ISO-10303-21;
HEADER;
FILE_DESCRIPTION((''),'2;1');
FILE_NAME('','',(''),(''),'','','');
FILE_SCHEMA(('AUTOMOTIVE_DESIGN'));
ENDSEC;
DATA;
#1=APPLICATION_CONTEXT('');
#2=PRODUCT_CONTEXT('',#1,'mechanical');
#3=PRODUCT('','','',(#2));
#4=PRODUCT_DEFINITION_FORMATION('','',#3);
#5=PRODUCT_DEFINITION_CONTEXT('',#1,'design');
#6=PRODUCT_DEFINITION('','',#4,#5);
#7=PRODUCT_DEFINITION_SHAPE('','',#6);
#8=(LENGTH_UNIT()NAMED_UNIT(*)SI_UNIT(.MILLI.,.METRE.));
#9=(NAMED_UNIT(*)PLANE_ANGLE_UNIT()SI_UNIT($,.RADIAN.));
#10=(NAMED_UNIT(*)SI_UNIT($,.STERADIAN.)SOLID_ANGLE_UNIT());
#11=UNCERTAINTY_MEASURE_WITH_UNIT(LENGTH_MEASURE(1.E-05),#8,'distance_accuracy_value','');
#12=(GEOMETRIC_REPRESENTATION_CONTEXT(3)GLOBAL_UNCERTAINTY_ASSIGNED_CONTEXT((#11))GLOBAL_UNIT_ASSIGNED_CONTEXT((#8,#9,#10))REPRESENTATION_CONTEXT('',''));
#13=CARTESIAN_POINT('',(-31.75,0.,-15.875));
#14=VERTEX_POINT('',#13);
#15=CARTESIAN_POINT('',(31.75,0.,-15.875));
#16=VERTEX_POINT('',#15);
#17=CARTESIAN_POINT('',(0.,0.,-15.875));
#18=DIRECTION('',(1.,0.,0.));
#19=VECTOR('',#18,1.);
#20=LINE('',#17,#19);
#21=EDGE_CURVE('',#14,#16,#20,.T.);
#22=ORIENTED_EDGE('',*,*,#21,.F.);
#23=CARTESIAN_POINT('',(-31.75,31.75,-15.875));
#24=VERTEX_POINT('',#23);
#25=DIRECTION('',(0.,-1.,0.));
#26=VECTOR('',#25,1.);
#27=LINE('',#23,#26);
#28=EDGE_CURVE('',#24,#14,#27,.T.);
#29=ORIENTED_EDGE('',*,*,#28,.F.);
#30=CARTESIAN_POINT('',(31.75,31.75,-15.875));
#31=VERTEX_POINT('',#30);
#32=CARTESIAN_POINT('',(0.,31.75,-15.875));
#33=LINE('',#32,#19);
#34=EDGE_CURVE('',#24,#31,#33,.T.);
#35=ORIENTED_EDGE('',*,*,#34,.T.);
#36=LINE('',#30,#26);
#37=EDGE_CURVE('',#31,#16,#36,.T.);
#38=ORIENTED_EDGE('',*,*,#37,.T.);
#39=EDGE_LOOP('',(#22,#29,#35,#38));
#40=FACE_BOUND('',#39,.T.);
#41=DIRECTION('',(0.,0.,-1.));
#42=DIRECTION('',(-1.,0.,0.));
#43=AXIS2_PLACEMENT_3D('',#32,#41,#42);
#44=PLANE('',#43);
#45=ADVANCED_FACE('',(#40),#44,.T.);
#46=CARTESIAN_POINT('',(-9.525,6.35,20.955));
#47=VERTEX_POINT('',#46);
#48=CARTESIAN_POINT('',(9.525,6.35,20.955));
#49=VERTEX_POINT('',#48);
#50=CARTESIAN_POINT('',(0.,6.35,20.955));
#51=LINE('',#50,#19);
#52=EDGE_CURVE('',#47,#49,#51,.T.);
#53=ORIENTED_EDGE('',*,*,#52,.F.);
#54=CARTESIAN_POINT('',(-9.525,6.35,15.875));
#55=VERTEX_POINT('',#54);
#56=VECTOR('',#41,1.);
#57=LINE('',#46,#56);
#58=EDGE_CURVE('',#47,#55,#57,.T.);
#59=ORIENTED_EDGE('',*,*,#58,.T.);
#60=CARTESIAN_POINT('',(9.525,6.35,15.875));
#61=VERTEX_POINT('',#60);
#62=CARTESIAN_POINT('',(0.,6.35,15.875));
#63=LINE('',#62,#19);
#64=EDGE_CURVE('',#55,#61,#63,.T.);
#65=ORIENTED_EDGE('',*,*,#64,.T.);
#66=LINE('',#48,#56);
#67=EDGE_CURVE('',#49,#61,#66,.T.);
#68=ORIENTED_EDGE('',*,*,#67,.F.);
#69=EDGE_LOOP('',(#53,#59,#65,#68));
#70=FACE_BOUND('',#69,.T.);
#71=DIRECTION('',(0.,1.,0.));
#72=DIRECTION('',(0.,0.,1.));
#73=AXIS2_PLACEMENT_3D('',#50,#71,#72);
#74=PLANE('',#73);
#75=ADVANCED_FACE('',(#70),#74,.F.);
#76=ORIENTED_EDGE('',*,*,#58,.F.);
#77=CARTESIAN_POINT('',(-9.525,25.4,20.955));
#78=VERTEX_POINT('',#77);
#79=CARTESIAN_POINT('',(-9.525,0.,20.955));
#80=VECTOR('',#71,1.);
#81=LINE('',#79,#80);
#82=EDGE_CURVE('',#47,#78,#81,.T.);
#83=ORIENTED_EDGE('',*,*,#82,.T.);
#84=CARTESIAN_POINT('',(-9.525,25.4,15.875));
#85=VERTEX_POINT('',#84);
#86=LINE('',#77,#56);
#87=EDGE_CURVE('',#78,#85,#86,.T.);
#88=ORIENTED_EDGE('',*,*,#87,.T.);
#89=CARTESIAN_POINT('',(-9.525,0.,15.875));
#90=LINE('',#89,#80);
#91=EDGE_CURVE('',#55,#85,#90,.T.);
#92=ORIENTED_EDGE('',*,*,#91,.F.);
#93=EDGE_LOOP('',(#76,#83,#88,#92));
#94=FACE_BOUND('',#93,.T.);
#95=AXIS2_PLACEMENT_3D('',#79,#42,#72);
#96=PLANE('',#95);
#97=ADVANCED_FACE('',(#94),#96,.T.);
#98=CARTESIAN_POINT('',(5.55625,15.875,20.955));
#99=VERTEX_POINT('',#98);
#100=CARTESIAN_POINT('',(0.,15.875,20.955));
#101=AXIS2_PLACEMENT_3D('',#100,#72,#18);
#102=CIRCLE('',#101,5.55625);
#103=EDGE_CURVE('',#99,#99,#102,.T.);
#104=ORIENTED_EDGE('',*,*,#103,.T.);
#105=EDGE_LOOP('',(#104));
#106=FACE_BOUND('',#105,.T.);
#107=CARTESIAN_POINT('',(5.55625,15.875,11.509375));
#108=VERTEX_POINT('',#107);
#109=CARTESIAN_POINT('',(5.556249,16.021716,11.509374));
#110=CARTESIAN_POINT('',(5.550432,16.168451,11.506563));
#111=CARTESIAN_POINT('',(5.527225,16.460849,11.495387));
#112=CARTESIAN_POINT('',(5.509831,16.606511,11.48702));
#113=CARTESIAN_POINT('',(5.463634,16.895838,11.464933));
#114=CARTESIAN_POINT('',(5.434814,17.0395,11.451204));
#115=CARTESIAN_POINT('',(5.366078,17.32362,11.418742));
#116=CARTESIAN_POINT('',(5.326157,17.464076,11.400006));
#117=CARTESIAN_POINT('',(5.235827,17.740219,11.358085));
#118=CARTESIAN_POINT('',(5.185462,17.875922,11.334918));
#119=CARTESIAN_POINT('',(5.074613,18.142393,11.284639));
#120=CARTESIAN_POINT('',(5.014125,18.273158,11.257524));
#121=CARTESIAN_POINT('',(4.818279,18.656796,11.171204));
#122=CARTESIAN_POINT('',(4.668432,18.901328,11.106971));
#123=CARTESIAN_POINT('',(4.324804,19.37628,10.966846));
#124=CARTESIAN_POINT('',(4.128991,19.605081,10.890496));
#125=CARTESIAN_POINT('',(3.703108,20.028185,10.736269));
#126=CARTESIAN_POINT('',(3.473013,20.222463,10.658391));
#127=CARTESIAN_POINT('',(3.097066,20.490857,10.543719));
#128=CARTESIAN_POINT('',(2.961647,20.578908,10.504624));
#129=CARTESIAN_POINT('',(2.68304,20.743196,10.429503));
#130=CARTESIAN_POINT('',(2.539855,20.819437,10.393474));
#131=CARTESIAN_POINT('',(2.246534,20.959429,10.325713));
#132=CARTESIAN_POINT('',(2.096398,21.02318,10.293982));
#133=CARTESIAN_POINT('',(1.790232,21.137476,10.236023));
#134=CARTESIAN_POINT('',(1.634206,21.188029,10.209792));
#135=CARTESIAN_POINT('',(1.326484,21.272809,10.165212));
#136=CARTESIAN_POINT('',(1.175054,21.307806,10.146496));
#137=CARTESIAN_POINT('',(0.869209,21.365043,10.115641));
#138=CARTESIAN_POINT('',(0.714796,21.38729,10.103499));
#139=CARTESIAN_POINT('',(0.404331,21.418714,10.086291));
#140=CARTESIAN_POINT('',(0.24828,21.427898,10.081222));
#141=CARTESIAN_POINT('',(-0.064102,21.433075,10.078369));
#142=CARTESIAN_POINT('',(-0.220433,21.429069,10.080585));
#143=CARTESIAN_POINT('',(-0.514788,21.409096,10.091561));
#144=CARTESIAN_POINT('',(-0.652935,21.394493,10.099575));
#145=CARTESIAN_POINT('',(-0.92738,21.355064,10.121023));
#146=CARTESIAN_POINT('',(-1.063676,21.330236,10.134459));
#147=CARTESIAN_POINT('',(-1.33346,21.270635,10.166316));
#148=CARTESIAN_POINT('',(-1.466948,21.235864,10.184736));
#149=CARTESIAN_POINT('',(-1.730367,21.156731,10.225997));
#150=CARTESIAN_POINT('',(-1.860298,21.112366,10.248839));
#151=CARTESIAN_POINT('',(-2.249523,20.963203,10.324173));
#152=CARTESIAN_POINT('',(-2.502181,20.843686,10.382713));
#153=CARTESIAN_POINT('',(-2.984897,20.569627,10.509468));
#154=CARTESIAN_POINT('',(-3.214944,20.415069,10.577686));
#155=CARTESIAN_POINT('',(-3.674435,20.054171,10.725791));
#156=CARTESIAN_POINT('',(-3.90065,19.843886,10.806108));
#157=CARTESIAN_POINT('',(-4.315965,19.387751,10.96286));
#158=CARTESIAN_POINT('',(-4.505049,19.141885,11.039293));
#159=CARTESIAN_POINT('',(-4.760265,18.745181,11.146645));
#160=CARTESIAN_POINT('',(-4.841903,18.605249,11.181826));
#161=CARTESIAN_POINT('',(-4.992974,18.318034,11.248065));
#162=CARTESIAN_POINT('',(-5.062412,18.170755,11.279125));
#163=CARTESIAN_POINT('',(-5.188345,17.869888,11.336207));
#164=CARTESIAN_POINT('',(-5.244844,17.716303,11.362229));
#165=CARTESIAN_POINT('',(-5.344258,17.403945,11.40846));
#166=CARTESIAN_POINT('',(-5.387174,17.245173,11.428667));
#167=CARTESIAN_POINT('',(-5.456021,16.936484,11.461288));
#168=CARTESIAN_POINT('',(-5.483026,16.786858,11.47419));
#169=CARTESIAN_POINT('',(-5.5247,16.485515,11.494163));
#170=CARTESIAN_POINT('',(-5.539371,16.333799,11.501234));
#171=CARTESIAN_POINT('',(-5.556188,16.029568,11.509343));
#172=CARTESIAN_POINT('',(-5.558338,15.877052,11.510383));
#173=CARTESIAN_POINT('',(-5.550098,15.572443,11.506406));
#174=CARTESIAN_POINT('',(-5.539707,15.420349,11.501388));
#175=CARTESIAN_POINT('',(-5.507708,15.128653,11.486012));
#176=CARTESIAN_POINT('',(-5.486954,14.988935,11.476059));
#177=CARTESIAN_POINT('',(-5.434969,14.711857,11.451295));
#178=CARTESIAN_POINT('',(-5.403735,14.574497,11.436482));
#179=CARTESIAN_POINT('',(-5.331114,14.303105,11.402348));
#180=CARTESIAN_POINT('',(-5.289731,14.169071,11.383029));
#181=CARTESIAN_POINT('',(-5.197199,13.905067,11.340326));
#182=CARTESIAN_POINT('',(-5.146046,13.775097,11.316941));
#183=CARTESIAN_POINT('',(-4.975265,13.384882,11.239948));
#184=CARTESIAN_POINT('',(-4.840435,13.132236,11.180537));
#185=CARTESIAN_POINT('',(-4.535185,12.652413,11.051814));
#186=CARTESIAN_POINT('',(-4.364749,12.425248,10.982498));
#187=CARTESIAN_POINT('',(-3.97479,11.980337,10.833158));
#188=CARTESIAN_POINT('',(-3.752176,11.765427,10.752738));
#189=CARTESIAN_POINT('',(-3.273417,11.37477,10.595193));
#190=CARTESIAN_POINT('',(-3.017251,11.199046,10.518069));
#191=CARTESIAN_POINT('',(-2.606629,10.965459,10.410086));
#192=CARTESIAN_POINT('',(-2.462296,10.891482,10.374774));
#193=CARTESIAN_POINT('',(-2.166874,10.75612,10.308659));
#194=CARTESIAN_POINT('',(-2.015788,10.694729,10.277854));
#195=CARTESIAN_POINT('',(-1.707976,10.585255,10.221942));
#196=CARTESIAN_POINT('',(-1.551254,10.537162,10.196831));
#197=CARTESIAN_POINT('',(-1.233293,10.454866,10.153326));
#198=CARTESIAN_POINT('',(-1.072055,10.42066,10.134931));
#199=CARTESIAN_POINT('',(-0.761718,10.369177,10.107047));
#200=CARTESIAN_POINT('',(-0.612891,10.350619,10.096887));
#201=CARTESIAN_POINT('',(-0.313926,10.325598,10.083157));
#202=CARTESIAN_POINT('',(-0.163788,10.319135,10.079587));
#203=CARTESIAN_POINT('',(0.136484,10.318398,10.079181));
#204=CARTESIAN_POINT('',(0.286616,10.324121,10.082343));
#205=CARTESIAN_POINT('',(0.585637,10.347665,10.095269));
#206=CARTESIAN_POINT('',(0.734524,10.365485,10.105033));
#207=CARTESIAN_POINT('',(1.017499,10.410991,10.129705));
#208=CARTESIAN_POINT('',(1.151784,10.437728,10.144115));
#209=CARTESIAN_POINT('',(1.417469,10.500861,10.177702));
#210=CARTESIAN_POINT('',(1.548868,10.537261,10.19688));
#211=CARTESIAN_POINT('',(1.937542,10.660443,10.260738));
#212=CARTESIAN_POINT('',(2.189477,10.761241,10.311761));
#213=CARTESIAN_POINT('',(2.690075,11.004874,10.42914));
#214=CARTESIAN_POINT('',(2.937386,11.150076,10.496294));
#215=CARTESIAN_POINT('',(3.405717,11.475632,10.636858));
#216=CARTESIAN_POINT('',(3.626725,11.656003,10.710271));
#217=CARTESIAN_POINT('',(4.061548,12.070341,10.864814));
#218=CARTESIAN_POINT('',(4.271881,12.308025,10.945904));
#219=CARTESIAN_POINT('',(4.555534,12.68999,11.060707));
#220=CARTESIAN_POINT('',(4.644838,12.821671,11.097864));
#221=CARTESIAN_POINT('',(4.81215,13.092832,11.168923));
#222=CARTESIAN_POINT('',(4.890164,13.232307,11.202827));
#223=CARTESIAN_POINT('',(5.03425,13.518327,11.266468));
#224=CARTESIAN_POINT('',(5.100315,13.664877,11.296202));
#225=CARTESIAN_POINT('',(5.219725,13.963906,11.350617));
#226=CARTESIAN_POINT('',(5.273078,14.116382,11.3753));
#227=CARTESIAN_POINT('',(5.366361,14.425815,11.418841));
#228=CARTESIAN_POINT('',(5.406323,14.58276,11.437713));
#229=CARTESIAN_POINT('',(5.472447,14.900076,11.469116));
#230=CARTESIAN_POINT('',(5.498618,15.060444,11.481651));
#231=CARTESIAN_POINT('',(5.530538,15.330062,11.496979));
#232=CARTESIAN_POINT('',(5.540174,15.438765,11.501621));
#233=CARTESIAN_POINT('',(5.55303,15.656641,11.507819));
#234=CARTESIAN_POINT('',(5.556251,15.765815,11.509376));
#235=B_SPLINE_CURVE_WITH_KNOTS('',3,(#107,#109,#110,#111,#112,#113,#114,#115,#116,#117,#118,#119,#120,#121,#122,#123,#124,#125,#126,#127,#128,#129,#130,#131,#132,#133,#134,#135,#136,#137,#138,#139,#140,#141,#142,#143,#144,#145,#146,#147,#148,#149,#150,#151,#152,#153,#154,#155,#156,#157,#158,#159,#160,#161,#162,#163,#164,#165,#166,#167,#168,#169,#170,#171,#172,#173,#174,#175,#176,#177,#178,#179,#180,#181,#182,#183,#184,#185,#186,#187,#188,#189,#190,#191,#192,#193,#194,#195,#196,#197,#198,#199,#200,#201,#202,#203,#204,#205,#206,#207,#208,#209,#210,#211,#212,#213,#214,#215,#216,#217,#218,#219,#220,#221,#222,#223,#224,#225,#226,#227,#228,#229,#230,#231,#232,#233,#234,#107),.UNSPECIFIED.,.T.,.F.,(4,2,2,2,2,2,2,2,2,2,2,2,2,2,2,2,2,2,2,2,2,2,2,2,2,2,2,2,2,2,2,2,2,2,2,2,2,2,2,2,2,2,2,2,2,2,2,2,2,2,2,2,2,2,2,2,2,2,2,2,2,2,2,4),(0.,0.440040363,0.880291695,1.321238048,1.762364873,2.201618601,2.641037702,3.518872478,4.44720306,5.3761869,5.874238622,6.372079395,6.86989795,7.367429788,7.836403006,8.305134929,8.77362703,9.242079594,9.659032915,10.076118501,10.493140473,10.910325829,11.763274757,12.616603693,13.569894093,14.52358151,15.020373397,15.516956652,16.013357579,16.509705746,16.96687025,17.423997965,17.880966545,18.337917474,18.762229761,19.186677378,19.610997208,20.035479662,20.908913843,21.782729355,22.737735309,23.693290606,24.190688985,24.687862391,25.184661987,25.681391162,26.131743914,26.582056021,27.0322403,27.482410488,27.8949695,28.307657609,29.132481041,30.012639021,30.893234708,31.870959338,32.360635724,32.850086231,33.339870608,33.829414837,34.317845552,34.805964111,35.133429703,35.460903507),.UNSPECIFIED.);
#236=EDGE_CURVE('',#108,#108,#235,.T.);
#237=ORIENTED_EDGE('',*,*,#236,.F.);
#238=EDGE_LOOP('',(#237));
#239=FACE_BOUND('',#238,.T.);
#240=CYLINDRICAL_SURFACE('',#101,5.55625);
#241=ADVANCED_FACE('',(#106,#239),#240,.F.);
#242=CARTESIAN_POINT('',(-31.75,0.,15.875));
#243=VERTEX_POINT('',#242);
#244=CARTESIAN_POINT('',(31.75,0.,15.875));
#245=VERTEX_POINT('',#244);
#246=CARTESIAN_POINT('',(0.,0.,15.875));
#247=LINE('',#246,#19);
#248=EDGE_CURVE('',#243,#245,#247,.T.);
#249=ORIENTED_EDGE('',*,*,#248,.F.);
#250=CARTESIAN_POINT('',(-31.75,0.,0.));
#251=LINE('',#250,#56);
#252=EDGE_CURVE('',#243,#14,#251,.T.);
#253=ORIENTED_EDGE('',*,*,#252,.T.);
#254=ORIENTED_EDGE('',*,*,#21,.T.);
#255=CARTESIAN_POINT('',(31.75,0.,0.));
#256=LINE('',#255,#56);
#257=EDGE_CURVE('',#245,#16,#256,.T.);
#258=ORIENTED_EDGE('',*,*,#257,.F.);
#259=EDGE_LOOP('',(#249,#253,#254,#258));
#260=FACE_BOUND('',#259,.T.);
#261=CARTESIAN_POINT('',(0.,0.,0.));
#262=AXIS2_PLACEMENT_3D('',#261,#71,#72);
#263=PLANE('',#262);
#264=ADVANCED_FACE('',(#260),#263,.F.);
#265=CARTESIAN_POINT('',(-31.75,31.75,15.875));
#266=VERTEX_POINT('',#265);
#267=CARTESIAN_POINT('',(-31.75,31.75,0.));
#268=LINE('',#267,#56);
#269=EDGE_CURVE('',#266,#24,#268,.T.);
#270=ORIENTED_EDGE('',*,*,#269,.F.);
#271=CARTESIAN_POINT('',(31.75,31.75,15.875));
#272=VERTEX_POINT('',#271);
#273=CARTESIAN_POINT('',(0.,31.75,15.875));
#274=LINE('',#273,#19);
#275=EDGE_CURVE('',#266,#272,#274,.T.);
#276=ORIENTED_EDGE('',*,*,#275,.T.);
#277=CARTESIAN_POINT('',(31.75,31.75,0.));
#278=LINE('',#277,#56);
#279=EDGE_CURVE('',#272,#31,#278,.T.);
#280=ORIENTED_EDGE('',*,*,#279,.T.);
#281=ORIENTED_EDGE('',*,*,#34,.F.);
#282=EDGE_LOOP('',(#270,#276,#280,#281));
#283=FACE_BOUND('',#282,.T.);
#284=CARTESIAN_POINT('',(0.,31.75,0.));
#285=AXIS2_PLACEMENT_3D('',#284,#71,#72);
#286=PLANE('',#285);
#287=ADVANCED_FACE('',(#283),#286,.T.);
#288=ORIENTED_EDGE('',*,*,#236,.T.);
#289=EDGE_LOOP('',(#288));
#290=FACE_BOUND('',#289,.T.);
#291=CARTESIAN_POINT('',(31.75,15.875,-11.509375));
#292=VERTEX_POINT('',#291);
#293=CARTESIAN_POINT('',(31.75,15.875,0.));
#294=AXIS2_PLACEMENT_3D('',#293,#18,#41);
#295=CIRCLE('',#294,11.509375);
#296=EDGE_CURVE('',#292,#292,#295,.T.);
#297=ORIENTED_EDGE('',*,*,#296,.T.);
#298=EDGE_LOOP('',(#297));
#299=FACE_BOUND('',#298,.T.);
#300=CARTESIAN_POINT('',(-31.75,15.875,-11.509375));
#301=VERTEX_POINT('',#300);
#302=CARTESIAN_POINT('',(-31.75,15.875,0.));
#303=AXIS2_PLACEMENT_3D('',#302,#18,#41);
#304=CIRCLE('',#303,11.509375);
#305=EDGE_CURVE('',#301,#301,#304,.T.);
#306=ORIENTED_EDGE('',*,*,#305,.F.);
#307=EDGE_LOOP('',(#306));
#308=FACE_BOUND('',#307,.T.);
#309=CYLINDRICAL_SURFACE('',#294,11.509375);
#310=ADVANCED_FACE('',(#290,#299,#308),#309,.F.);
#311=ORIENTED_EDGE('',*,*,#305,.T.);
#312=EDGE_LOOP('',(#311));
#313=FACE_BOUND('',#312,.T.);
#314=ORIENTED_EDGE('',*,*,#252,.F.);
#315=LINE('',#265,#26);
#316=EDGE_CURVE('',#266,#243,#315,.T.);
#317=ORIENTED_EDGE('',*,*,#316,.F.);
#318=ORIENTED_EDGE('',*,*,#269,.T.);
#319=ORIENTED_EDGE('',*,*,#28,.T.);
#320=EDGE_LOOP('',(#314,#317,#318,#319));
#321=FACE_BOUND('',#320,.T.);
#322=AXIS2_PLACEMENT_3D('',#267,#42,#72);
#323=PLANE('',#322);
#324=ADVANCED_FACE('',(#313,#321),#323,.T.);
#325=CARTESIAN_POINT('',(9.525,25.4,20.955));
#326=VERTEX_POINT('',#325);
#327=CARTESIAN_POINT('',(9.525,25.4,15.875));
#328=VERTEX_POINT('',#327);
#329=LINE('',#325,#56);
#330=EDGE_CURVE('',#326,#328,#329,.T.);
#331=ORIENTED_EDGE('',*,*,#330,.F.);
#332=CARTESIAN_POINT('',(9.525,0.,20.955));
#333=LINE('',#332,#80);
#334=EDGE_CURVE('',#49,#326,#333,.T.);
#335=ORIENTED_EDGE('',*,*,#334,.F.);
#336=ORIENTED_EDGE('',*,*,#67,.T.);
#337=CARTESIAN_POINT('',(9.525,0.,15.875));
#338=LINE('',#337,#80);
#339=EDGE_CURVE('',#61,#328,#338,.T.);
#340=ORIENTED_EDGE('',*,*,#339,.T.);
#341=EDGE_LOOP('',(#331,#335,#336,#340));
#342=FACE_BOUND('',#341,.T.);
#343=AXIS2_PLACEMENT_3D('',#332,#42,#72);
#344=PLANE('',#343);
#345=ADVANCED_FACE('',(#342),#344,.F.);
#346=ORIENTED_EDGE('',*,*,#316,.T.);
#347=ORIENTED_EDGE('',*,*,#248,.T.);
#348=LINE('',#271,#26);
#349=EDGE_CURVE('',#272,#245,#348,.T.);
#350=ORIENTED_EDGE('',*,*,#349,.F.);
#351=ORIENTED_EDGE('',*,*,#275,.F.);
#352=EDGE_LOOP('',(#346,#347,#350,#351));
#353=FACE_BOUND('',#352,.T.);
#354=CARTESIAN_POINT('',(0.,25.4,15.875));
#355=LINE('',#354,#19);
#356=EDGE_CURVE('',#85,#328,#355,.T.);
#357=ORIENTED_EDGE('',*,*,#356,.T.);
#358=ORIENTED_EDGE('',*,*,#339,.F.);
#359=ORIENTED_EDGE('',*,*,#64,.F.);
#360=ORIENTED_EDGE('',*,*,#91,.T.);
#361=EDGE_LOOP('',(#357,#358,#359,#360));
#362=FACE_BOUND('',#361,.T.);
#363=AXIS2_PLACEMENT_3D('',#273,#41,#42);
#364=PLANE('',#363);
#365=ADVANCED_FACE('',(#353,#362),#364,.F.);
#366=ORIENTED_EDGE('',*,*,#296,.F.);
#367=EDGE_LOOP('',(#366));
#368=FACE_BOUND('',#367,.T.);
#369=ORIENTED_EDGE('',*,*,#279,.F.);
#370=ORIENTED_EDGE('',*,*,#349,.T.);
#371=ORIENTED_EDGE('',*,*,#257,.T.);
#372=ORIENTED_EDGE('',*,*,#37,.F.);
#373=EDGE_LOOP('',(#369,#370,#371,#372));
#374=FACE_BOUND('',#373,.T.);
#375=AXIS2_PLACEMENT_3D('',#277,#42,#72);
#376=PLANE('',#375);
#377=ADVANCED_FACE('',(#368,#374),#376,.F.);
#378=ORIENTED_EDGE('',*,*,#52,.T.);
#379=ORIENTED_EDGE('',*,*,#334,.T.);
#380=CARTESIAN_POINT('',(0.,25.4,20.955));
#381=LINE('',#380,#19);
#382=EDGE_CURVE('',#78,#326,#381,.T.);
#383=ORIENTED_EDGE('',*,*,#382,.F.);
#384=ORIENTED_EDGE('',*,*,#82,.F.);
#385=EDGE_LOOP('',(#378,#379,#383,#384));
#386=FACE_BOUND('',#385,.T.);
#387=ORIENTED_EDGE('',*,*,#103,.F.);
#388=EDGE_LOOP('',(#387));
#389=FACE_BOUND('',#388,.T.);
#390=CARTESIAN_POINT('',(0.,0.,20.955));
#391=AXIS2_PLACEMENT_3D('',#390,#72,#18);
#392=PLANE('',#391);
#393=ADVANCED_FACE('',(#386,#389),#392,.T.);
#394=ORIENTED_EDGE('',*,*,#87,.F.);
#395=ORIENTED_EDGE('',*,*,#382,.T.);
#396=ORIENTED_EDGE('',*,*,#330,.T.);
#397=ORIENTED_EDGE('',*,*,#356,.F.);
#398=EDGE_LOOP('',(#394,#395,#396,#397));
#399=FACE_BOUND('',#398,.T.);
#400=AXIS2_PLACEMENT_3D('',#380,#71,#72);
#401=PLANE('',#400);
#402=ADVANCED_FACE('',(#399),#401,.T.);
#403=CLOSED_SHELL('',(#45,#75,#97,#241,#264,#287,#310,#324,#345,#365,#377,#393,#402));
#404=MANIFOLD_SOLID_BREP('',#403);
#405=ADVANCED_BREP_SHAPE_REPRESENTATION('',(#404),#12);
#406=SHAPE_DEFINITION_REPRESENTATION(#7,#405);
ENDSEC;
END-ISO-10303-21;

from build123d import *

# Parameters (mm, degrees)
SKETCH2_W                          = 63.5
SKETCH2_H                          = 31.75
BOSS_EXTRUDE1_DEPTH                = 31.75
F_29_32_0_90625_DIAMETER_HOLE1_D   = 23.01875
BOSS_EXTRUDE2_DEPTH                = 5.08
F_7_16_0_4375_DIAMETER_HOLE1_D     = 11.1125
F_7_16_0_4375_DIAMETER_HOLE1_DEPTH = 25.4
F_7_16_0_4375_DIAMETER_HOLE1_TIP   = 3.338531814


with BuildPart() as part:
    # Sketch2 → Boss-Extrude1 (new body)
    with BuildSketch(Plane(origin=(0, 0, 0), x_dir=(1, 0, 0), z_dir=(0, 1, 0))):
        Rectangle(SKETCH2_W, SKETCH2_H)
    extrude(amount=BOSS_EXTRUDE1_DEPTH)

    # 29/32 (0.90625) Diameter Hole1 (through all)
    with Locations(Plane(origin=(31.75, 0, 0), x_dir=(0, 0, -1), z_dir=(1, 0, 0))):
        with Locations((0, 15.875)):
            Hole(F_29_32_0_90625_DIAMETER_HOLE1_D / 2)

    # Sketch10 → Boss-Extrude2 (add)
    with BuildSketch(Plane.XY.offset(15.875)):
        Polygon((9.525, 11.1125), (-9.525, 20.6375), (-9.525, 6.35), (9.525, 6.35), align=None)
        Polygon((-9.525, 25.4), (-9.525, 20.6375), (9.525, 11.1125), (9.525, 25.4), align=None)
    extrude(amount=BOSS_EXTRUDE2_DEPTH)

    # 7/16 (0.4375) Diameter Hole1
    with Locations(Plane.XY.offset(20.955)):
        with Locations((0, 15.875)):
            Hole(F_7_16_0_4375_DIAMETER_HOLE1_D / 2, depth=F_7_16_0_4375_DIAMETER_HOLE1_DEPTH)
            with Locations((0, 0, -(F_7_16_0_4375_DIAMETER_HOLE1_DEPTH + F_7_16_0_4375_DIAMETER_HOLE1_TIP / 2))):  # 118° drill point
                Cone(0, F_7_16_0_4375_DIAMETER_HOLE1_D / 2, F_7_16_0_4375_DIAMETER_HOLE1_TIP, mode=Mode.SUBTRACT)


solid = part.part
